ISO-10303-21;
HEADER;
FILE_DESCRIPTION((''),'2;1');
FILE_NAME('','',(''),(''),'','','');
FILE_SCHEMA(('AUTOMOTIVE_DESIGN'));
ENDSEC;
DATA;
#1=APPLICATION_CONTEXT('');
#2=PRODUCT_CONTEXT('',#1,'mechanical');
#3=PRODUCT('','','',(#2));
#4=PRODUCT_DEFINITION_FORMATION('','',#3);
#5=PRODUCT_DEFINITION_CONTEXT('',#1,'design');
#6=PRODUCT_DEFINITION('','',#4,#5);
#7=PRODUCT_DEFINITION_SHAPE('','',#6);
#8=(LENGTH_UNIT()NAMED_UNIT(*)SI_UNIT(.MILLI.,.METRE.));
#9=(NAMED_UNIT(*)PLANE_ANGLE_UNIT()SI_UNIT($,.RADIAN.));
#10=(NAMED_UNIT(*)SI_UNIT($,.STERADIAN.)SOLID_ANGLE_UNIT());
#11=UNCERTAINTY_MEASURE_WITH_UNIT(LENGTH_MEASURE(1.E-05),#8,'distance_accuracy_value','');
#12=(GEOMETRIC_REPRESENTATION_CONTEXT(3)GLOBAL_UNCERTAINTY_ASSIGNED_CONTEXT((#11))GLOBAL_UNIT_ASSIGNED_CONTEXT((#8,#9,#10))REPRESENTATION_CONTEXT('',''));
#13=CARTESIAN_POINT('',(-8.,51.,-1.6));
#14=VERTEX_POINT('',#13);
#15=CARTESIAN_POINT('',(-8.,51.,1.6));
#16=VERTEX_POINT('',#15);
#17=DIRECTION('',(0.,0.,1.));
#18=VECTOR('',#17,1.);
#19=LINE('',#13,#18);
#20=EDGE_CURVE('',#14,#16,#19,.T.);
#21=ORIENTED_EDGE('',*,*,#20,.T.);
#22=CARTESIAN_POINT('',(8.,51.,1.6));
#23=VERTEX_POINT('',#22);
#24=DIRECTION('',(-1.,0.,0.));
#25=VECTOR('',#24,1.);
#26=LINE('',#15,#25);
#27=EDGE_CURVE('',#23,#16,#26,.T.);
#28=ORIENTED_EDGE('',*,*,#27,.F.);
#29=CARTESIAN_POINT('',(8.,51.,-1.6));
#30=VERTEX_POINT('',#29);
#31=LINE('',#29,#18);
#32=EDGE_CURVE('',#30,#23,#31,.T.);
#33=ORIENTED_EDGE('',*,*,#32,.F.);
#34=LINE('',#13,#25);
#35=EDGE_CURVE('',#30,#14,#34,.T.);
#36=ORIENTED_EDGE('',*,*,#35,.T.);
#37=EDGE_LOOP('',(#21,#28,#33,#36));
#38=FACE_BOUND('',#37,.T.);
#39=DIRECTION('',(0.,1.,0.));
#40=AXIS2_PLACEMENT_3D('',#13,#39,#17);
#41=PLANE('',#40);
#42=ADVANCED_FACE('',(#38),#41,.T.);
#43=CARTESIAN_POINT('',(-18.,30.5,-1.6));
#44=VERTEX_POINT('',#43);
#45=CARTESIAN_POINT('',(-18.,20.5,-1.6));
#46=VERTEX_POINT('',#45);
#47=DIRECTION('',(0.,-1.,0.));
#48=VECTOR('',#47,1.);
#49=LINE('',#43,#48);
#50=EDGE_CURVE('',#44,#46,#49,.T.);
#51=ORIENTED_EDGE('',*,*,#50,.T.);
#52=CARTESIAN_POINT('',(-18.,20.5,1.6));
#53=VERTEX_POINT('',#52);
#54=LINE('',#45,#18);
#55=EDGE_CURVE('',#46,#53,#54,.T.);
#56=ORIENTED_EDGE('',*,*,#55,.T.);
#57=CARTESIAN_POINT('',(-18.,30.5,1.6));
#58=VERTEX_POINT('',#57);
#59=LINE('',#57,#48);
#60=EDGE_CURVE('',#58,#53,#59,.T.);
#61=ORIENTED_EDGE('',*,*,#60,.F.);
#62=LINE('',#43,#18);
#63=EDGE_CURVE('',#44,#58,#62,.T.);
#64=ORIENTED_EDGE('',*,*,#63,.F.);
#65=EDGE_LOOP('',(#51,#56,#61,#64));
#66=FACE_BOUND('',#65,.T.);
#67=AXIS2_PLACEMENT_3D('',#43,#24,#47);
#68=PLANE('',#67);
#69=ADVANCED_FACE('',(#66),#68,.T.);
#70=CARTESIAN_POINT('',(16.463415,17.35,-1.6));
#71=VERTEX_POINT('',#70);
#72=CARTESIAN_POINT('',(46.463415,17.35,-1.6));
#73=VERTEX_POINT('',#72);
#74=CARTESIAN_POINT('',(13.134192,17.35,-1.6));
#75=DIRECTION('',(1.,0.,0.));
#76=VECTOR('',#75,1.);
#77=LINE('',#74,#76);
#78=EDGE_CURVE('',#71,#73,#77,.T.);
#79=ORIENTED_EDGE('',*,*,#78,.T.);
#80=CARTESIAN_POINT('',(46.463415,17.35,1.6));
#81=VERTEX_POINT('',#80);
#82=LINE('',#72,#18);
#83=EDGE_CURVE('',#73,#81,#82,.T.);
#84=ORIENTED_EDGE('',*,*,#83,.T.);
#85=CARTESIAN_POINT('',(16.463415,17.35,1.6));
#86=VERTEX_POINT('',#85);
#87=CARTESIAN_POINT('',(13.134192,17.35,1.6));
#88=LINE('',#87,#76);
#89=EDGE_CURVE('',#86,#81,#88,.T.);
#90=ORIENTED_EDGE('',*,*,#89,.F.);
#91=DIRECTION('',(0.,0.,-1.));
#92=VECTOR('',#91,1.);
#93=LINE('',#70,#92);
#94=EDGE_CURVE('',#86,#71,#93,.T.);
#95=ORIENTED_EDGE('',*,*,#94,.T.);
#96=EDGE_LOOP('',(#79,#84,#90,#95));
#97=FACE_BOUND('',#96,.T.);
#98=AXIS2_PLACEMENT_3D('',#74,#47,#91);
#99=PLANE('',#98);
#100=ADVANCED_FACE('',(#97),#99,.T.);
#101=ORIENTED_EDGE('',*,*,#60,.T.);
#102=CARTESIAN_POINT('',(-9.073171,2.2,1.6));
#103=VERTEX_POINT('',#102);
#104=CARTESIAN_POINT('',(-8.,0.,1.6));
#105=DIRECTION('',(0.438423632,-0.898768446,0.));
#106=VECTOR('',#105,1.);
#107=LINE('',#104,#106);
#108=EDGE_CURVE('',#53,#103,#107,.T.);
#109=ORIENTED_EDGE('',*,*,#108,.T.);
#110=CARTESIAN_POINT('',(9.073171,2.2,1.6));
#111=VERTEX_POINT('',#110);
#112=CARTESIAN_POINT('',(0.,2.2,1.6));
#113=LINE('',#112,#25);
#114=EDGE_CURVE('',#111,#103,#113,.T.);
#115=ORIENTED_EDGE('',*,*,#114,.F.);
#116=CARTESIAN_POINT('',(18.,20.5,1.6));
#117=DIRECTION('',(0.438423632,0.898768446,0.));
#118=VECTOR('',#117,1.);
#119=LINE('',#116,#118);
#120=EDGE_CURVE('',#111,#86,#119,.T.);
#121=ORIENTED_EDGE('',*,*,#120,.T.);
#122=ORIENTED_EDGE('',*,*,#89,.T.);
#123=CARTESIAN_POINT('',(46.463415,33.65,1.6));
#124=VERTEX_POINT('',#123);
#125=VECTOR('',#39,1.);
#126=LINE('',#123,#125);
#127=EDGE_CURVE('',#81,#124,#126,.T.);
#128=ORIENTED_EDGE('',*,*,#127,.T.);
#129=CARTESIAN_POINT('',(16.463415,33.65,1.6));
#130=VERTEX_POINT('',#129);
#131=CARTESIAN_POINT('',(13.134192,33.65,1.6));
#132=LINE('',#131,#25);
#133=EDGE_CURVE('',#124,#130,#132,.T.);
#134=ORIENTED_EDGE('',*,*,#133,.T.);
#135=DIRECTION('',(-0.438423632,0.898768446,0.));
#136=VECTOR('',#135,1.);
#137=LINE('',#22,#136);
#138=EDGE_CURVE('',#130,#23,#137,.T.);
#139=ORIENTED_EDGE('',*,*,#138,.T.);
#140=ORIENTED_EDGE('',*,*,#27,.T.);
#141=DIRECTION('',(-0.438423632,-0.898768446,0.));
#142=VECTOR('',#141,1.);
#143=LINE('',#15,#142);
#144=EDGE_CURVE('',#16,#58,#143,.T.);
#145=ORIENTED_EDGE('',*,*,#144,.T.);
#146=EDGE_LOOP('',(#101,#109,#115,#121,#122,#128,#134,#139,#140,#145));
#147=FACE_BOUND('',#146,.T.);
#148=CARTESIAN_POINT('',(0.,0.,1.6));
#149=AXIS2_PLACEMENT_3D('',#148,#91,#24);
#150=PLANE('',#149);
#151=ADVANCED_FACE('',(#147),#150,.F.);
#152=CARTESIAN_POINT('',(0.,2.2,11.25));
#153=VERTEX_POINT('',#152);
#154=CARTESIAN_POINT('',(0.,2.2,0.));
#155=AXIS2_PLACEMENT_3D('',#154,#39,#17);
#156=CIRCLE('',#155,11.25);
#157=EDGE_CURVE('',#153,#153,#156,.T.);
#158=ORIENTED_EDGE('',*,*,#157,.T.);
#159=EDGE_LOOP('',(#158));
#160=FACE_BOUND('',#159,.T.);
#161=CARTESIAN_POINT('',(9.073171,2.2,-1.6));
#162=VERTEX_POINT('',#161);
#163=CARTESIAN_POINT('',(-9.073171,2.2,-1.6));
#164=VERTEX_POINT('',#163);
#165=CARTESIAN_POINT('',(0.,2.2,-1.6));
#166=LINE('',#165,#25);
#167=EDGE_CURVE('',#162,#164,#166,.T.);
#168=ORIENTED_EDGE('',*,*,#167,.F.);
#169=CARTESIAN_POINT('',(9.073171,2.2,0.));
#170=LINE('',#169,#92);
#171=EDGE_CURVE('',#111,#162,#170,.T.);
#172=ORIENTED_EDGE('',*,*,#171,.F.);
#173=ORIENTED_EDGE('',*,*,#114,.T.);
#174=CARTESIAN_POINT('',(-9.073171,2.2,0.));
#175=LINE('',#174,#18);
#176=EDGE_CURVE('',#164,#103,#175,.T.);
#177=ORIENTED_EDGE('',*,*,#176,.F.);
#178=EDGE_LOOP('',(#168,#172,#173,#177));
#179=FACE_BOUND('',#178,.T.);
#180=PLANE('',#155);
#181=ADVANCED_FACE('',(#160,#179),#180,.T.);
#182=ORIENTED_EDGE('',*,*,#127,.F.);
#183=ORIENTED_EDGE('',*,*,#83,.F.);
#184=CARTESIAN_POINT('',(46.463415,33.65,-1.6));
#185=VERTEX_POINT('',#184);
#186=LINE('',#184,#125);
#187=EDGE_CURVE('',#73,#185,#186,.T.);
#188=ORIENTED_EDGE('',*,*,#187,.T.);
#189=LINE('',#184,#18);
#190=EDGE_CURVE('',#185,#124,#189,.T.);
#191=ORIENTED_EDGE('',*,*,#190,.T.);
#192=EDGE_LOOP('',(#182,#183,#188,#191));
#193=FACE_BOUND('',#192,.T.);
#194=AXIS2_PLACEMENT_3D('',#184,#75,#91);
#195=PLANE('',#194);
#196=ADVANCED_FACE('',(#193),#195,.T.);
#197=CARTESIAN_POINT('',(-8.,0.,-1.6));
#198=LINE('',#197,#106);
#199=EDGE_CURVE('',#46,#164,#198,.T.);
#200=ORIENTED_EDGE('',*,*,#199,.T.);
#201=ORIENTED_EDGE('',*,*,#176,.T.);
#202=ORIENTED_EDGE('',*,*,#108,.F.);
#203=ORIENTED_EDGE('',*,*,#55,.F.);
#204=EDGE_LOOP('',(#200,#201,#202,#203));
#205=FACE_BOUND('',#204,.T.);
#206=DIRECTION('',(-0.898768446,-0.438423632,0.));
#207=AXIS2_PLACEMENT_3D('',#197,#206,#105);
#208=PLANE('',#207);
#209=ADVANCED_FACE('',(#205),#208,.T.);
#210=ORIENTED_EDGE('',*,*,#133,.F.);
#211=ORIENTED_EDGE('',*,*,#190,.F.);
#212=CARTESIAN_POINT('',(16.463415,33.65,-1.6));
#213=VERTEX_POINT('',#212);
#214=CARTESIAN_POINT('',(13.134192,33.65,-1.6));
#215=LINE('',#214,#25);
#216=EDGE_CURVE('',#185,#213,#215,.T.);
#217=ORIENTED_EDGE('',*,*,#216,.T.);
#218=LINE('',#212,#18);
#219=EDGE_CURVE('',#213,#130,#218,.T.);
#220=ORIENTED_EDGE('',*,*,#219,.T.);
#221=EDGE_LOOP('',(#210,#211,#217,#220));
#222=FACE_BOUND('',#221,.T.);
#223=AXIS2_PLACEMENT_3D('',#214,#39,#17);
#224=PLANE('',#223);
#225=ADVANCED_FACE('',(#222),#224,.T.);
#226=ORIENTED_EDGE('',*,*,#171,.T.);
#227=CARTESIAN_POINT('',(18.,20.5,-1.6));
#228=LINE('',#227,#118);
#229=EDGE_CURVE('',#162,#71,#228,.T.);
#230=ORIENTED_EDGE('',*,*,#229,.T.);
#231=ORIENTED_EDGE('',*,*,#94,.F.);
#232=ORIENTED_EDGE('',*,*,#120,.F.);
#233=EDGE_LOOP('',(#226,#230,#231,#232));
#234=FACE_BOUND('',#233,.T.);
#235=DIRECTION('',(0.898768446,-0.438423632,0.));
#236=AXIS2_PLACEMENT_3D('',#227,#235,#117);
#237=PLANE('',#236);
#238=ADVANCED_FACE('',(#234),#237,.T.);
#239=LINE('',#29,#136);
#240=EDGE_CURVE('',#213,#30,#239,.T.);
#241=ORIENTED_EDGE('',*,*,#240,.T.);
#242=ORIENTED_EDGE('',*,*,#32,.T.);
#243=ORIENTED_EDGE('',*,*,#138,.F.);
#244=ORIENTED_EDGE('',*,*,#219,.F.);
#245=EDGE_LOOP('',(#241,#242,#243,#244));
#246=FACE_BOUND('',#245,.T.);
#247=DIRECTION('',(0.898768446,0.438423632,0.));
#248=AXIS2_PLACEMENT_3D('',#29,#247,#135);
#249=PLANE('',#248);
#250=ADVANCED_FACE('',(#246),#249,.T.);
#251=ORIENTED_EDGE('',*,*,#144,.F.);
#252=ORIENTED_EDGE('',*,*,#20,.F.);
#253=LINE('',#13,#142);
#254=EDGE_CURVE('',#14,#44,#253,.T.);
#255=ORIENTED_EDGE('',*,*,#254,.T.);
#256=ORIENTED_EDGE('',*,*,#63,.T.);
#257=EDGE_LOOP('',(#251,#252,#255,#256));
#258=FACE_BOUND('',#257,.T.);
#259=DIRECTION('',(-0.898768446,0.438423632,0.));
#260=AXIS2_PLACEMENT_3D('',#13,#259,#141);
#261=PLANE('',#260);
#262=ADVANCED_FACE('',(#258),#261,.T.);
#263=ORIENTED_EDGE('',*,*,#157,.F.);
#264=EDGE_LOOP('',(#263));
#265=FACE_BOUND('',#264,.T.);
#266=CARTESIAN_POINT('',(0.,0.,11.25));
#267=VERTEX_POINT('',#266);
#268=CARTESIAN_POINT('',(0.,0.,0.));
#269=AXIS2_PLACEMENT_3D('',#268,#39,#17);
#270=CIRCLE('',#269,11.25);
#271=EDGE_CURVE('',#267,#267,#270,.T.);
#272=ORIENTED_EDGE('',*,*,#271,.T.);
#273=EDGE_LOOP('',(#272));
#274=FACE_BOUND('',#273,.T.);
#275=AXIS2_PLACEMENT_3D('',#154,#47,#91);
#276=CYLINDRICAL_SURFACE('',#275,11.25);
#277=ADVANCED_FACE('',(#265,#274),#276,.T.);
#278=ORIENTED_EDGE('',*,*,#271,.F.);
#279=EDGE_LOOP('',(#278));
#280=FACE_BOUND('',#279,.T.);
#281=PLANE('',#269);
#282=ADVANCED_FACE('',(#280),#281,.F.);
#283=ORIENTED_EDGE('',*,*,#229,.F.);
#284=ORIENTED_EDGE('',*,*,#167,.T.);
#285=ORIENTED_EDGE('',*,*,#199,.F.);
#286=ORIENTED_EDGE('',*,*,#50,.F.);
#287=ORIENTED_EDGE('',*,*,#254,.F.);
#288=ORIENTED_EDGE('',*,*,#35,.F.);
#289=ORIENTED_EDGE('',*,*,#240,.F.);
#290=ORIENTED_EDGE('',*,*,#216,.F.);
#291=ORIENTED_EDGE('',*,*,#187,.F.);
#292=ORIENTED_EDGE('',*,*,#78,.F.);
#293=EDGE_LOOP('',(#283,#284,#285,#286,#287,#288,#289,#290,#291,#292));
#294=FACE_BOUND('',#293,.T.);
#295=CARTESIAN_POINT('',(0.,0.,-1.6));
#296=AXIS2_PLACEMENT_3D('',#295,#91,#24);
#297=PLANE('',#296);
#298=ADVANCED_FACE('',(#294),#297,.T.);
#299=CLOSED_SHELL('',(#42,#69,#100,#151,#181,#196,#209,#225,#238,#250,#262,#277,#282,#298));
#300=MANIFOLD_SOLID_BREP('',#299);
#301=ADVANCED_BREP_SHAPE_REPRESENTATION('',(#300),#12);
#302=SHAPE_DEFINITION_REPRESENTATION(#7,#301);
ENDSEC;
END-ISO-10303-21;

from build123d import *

# Parameters (mm, degrees)
SKETCH1_R                = 11.25
BOSS_EXTRUDE1_DEPTH      = 2.2
BOSS_EXTRUDE2_DEPTH      = 1.6
BOSS_EXTRUDE2_DEPTH_BACK = 1.6
SKETCH3_W                = 33.32922231
SKETCH3_H                = 16.3
BOSS_EXTRUDE3_DEPTH      = 3.2


with BuildPart() as part:
    # Sketch1 → Boss-Extrude1 (new body)
    with BuildSketch(Plane(origin=(0, 0, 0), x_dir=(1, 0, 0), z_dir=(0, 1, 0))):
        Circle(SKETCH1_R)
    extrude(amount=BOSS_EXTRUDE1_DEPTH)

    # Sketch2 → Boss-Extrude2 (add, two sides: drawn at the far end of the back side and taken through both)
    with BuildSketch(Plane.XY.offset(-BOSS_EXTRUDE2_DEPTH_BACK)):
        Polygon((-8, 51), (8, 51), (18, 30.5), (18, 20.5), (8, 0), (-8, 0), (-18, 20.5), (-18, 30.5), align=None)
    extrude(amount=BOSS_EXTRUDE2_DEPTH + BOSS_EXTRUDE2_DEPTH_BACK)

    # Sketch3 → Boss-Extrude3 (add)
    with BuildSketch(Plane.XY.offset(1.6)):
        with Locations((29.798803479, 25.5)):
            Rectangle(SKETCH3_W, SKETCH3_H)
    extrude(amount=-BOSS_EXTRUDE3_DEPTH)


solid = part.part
